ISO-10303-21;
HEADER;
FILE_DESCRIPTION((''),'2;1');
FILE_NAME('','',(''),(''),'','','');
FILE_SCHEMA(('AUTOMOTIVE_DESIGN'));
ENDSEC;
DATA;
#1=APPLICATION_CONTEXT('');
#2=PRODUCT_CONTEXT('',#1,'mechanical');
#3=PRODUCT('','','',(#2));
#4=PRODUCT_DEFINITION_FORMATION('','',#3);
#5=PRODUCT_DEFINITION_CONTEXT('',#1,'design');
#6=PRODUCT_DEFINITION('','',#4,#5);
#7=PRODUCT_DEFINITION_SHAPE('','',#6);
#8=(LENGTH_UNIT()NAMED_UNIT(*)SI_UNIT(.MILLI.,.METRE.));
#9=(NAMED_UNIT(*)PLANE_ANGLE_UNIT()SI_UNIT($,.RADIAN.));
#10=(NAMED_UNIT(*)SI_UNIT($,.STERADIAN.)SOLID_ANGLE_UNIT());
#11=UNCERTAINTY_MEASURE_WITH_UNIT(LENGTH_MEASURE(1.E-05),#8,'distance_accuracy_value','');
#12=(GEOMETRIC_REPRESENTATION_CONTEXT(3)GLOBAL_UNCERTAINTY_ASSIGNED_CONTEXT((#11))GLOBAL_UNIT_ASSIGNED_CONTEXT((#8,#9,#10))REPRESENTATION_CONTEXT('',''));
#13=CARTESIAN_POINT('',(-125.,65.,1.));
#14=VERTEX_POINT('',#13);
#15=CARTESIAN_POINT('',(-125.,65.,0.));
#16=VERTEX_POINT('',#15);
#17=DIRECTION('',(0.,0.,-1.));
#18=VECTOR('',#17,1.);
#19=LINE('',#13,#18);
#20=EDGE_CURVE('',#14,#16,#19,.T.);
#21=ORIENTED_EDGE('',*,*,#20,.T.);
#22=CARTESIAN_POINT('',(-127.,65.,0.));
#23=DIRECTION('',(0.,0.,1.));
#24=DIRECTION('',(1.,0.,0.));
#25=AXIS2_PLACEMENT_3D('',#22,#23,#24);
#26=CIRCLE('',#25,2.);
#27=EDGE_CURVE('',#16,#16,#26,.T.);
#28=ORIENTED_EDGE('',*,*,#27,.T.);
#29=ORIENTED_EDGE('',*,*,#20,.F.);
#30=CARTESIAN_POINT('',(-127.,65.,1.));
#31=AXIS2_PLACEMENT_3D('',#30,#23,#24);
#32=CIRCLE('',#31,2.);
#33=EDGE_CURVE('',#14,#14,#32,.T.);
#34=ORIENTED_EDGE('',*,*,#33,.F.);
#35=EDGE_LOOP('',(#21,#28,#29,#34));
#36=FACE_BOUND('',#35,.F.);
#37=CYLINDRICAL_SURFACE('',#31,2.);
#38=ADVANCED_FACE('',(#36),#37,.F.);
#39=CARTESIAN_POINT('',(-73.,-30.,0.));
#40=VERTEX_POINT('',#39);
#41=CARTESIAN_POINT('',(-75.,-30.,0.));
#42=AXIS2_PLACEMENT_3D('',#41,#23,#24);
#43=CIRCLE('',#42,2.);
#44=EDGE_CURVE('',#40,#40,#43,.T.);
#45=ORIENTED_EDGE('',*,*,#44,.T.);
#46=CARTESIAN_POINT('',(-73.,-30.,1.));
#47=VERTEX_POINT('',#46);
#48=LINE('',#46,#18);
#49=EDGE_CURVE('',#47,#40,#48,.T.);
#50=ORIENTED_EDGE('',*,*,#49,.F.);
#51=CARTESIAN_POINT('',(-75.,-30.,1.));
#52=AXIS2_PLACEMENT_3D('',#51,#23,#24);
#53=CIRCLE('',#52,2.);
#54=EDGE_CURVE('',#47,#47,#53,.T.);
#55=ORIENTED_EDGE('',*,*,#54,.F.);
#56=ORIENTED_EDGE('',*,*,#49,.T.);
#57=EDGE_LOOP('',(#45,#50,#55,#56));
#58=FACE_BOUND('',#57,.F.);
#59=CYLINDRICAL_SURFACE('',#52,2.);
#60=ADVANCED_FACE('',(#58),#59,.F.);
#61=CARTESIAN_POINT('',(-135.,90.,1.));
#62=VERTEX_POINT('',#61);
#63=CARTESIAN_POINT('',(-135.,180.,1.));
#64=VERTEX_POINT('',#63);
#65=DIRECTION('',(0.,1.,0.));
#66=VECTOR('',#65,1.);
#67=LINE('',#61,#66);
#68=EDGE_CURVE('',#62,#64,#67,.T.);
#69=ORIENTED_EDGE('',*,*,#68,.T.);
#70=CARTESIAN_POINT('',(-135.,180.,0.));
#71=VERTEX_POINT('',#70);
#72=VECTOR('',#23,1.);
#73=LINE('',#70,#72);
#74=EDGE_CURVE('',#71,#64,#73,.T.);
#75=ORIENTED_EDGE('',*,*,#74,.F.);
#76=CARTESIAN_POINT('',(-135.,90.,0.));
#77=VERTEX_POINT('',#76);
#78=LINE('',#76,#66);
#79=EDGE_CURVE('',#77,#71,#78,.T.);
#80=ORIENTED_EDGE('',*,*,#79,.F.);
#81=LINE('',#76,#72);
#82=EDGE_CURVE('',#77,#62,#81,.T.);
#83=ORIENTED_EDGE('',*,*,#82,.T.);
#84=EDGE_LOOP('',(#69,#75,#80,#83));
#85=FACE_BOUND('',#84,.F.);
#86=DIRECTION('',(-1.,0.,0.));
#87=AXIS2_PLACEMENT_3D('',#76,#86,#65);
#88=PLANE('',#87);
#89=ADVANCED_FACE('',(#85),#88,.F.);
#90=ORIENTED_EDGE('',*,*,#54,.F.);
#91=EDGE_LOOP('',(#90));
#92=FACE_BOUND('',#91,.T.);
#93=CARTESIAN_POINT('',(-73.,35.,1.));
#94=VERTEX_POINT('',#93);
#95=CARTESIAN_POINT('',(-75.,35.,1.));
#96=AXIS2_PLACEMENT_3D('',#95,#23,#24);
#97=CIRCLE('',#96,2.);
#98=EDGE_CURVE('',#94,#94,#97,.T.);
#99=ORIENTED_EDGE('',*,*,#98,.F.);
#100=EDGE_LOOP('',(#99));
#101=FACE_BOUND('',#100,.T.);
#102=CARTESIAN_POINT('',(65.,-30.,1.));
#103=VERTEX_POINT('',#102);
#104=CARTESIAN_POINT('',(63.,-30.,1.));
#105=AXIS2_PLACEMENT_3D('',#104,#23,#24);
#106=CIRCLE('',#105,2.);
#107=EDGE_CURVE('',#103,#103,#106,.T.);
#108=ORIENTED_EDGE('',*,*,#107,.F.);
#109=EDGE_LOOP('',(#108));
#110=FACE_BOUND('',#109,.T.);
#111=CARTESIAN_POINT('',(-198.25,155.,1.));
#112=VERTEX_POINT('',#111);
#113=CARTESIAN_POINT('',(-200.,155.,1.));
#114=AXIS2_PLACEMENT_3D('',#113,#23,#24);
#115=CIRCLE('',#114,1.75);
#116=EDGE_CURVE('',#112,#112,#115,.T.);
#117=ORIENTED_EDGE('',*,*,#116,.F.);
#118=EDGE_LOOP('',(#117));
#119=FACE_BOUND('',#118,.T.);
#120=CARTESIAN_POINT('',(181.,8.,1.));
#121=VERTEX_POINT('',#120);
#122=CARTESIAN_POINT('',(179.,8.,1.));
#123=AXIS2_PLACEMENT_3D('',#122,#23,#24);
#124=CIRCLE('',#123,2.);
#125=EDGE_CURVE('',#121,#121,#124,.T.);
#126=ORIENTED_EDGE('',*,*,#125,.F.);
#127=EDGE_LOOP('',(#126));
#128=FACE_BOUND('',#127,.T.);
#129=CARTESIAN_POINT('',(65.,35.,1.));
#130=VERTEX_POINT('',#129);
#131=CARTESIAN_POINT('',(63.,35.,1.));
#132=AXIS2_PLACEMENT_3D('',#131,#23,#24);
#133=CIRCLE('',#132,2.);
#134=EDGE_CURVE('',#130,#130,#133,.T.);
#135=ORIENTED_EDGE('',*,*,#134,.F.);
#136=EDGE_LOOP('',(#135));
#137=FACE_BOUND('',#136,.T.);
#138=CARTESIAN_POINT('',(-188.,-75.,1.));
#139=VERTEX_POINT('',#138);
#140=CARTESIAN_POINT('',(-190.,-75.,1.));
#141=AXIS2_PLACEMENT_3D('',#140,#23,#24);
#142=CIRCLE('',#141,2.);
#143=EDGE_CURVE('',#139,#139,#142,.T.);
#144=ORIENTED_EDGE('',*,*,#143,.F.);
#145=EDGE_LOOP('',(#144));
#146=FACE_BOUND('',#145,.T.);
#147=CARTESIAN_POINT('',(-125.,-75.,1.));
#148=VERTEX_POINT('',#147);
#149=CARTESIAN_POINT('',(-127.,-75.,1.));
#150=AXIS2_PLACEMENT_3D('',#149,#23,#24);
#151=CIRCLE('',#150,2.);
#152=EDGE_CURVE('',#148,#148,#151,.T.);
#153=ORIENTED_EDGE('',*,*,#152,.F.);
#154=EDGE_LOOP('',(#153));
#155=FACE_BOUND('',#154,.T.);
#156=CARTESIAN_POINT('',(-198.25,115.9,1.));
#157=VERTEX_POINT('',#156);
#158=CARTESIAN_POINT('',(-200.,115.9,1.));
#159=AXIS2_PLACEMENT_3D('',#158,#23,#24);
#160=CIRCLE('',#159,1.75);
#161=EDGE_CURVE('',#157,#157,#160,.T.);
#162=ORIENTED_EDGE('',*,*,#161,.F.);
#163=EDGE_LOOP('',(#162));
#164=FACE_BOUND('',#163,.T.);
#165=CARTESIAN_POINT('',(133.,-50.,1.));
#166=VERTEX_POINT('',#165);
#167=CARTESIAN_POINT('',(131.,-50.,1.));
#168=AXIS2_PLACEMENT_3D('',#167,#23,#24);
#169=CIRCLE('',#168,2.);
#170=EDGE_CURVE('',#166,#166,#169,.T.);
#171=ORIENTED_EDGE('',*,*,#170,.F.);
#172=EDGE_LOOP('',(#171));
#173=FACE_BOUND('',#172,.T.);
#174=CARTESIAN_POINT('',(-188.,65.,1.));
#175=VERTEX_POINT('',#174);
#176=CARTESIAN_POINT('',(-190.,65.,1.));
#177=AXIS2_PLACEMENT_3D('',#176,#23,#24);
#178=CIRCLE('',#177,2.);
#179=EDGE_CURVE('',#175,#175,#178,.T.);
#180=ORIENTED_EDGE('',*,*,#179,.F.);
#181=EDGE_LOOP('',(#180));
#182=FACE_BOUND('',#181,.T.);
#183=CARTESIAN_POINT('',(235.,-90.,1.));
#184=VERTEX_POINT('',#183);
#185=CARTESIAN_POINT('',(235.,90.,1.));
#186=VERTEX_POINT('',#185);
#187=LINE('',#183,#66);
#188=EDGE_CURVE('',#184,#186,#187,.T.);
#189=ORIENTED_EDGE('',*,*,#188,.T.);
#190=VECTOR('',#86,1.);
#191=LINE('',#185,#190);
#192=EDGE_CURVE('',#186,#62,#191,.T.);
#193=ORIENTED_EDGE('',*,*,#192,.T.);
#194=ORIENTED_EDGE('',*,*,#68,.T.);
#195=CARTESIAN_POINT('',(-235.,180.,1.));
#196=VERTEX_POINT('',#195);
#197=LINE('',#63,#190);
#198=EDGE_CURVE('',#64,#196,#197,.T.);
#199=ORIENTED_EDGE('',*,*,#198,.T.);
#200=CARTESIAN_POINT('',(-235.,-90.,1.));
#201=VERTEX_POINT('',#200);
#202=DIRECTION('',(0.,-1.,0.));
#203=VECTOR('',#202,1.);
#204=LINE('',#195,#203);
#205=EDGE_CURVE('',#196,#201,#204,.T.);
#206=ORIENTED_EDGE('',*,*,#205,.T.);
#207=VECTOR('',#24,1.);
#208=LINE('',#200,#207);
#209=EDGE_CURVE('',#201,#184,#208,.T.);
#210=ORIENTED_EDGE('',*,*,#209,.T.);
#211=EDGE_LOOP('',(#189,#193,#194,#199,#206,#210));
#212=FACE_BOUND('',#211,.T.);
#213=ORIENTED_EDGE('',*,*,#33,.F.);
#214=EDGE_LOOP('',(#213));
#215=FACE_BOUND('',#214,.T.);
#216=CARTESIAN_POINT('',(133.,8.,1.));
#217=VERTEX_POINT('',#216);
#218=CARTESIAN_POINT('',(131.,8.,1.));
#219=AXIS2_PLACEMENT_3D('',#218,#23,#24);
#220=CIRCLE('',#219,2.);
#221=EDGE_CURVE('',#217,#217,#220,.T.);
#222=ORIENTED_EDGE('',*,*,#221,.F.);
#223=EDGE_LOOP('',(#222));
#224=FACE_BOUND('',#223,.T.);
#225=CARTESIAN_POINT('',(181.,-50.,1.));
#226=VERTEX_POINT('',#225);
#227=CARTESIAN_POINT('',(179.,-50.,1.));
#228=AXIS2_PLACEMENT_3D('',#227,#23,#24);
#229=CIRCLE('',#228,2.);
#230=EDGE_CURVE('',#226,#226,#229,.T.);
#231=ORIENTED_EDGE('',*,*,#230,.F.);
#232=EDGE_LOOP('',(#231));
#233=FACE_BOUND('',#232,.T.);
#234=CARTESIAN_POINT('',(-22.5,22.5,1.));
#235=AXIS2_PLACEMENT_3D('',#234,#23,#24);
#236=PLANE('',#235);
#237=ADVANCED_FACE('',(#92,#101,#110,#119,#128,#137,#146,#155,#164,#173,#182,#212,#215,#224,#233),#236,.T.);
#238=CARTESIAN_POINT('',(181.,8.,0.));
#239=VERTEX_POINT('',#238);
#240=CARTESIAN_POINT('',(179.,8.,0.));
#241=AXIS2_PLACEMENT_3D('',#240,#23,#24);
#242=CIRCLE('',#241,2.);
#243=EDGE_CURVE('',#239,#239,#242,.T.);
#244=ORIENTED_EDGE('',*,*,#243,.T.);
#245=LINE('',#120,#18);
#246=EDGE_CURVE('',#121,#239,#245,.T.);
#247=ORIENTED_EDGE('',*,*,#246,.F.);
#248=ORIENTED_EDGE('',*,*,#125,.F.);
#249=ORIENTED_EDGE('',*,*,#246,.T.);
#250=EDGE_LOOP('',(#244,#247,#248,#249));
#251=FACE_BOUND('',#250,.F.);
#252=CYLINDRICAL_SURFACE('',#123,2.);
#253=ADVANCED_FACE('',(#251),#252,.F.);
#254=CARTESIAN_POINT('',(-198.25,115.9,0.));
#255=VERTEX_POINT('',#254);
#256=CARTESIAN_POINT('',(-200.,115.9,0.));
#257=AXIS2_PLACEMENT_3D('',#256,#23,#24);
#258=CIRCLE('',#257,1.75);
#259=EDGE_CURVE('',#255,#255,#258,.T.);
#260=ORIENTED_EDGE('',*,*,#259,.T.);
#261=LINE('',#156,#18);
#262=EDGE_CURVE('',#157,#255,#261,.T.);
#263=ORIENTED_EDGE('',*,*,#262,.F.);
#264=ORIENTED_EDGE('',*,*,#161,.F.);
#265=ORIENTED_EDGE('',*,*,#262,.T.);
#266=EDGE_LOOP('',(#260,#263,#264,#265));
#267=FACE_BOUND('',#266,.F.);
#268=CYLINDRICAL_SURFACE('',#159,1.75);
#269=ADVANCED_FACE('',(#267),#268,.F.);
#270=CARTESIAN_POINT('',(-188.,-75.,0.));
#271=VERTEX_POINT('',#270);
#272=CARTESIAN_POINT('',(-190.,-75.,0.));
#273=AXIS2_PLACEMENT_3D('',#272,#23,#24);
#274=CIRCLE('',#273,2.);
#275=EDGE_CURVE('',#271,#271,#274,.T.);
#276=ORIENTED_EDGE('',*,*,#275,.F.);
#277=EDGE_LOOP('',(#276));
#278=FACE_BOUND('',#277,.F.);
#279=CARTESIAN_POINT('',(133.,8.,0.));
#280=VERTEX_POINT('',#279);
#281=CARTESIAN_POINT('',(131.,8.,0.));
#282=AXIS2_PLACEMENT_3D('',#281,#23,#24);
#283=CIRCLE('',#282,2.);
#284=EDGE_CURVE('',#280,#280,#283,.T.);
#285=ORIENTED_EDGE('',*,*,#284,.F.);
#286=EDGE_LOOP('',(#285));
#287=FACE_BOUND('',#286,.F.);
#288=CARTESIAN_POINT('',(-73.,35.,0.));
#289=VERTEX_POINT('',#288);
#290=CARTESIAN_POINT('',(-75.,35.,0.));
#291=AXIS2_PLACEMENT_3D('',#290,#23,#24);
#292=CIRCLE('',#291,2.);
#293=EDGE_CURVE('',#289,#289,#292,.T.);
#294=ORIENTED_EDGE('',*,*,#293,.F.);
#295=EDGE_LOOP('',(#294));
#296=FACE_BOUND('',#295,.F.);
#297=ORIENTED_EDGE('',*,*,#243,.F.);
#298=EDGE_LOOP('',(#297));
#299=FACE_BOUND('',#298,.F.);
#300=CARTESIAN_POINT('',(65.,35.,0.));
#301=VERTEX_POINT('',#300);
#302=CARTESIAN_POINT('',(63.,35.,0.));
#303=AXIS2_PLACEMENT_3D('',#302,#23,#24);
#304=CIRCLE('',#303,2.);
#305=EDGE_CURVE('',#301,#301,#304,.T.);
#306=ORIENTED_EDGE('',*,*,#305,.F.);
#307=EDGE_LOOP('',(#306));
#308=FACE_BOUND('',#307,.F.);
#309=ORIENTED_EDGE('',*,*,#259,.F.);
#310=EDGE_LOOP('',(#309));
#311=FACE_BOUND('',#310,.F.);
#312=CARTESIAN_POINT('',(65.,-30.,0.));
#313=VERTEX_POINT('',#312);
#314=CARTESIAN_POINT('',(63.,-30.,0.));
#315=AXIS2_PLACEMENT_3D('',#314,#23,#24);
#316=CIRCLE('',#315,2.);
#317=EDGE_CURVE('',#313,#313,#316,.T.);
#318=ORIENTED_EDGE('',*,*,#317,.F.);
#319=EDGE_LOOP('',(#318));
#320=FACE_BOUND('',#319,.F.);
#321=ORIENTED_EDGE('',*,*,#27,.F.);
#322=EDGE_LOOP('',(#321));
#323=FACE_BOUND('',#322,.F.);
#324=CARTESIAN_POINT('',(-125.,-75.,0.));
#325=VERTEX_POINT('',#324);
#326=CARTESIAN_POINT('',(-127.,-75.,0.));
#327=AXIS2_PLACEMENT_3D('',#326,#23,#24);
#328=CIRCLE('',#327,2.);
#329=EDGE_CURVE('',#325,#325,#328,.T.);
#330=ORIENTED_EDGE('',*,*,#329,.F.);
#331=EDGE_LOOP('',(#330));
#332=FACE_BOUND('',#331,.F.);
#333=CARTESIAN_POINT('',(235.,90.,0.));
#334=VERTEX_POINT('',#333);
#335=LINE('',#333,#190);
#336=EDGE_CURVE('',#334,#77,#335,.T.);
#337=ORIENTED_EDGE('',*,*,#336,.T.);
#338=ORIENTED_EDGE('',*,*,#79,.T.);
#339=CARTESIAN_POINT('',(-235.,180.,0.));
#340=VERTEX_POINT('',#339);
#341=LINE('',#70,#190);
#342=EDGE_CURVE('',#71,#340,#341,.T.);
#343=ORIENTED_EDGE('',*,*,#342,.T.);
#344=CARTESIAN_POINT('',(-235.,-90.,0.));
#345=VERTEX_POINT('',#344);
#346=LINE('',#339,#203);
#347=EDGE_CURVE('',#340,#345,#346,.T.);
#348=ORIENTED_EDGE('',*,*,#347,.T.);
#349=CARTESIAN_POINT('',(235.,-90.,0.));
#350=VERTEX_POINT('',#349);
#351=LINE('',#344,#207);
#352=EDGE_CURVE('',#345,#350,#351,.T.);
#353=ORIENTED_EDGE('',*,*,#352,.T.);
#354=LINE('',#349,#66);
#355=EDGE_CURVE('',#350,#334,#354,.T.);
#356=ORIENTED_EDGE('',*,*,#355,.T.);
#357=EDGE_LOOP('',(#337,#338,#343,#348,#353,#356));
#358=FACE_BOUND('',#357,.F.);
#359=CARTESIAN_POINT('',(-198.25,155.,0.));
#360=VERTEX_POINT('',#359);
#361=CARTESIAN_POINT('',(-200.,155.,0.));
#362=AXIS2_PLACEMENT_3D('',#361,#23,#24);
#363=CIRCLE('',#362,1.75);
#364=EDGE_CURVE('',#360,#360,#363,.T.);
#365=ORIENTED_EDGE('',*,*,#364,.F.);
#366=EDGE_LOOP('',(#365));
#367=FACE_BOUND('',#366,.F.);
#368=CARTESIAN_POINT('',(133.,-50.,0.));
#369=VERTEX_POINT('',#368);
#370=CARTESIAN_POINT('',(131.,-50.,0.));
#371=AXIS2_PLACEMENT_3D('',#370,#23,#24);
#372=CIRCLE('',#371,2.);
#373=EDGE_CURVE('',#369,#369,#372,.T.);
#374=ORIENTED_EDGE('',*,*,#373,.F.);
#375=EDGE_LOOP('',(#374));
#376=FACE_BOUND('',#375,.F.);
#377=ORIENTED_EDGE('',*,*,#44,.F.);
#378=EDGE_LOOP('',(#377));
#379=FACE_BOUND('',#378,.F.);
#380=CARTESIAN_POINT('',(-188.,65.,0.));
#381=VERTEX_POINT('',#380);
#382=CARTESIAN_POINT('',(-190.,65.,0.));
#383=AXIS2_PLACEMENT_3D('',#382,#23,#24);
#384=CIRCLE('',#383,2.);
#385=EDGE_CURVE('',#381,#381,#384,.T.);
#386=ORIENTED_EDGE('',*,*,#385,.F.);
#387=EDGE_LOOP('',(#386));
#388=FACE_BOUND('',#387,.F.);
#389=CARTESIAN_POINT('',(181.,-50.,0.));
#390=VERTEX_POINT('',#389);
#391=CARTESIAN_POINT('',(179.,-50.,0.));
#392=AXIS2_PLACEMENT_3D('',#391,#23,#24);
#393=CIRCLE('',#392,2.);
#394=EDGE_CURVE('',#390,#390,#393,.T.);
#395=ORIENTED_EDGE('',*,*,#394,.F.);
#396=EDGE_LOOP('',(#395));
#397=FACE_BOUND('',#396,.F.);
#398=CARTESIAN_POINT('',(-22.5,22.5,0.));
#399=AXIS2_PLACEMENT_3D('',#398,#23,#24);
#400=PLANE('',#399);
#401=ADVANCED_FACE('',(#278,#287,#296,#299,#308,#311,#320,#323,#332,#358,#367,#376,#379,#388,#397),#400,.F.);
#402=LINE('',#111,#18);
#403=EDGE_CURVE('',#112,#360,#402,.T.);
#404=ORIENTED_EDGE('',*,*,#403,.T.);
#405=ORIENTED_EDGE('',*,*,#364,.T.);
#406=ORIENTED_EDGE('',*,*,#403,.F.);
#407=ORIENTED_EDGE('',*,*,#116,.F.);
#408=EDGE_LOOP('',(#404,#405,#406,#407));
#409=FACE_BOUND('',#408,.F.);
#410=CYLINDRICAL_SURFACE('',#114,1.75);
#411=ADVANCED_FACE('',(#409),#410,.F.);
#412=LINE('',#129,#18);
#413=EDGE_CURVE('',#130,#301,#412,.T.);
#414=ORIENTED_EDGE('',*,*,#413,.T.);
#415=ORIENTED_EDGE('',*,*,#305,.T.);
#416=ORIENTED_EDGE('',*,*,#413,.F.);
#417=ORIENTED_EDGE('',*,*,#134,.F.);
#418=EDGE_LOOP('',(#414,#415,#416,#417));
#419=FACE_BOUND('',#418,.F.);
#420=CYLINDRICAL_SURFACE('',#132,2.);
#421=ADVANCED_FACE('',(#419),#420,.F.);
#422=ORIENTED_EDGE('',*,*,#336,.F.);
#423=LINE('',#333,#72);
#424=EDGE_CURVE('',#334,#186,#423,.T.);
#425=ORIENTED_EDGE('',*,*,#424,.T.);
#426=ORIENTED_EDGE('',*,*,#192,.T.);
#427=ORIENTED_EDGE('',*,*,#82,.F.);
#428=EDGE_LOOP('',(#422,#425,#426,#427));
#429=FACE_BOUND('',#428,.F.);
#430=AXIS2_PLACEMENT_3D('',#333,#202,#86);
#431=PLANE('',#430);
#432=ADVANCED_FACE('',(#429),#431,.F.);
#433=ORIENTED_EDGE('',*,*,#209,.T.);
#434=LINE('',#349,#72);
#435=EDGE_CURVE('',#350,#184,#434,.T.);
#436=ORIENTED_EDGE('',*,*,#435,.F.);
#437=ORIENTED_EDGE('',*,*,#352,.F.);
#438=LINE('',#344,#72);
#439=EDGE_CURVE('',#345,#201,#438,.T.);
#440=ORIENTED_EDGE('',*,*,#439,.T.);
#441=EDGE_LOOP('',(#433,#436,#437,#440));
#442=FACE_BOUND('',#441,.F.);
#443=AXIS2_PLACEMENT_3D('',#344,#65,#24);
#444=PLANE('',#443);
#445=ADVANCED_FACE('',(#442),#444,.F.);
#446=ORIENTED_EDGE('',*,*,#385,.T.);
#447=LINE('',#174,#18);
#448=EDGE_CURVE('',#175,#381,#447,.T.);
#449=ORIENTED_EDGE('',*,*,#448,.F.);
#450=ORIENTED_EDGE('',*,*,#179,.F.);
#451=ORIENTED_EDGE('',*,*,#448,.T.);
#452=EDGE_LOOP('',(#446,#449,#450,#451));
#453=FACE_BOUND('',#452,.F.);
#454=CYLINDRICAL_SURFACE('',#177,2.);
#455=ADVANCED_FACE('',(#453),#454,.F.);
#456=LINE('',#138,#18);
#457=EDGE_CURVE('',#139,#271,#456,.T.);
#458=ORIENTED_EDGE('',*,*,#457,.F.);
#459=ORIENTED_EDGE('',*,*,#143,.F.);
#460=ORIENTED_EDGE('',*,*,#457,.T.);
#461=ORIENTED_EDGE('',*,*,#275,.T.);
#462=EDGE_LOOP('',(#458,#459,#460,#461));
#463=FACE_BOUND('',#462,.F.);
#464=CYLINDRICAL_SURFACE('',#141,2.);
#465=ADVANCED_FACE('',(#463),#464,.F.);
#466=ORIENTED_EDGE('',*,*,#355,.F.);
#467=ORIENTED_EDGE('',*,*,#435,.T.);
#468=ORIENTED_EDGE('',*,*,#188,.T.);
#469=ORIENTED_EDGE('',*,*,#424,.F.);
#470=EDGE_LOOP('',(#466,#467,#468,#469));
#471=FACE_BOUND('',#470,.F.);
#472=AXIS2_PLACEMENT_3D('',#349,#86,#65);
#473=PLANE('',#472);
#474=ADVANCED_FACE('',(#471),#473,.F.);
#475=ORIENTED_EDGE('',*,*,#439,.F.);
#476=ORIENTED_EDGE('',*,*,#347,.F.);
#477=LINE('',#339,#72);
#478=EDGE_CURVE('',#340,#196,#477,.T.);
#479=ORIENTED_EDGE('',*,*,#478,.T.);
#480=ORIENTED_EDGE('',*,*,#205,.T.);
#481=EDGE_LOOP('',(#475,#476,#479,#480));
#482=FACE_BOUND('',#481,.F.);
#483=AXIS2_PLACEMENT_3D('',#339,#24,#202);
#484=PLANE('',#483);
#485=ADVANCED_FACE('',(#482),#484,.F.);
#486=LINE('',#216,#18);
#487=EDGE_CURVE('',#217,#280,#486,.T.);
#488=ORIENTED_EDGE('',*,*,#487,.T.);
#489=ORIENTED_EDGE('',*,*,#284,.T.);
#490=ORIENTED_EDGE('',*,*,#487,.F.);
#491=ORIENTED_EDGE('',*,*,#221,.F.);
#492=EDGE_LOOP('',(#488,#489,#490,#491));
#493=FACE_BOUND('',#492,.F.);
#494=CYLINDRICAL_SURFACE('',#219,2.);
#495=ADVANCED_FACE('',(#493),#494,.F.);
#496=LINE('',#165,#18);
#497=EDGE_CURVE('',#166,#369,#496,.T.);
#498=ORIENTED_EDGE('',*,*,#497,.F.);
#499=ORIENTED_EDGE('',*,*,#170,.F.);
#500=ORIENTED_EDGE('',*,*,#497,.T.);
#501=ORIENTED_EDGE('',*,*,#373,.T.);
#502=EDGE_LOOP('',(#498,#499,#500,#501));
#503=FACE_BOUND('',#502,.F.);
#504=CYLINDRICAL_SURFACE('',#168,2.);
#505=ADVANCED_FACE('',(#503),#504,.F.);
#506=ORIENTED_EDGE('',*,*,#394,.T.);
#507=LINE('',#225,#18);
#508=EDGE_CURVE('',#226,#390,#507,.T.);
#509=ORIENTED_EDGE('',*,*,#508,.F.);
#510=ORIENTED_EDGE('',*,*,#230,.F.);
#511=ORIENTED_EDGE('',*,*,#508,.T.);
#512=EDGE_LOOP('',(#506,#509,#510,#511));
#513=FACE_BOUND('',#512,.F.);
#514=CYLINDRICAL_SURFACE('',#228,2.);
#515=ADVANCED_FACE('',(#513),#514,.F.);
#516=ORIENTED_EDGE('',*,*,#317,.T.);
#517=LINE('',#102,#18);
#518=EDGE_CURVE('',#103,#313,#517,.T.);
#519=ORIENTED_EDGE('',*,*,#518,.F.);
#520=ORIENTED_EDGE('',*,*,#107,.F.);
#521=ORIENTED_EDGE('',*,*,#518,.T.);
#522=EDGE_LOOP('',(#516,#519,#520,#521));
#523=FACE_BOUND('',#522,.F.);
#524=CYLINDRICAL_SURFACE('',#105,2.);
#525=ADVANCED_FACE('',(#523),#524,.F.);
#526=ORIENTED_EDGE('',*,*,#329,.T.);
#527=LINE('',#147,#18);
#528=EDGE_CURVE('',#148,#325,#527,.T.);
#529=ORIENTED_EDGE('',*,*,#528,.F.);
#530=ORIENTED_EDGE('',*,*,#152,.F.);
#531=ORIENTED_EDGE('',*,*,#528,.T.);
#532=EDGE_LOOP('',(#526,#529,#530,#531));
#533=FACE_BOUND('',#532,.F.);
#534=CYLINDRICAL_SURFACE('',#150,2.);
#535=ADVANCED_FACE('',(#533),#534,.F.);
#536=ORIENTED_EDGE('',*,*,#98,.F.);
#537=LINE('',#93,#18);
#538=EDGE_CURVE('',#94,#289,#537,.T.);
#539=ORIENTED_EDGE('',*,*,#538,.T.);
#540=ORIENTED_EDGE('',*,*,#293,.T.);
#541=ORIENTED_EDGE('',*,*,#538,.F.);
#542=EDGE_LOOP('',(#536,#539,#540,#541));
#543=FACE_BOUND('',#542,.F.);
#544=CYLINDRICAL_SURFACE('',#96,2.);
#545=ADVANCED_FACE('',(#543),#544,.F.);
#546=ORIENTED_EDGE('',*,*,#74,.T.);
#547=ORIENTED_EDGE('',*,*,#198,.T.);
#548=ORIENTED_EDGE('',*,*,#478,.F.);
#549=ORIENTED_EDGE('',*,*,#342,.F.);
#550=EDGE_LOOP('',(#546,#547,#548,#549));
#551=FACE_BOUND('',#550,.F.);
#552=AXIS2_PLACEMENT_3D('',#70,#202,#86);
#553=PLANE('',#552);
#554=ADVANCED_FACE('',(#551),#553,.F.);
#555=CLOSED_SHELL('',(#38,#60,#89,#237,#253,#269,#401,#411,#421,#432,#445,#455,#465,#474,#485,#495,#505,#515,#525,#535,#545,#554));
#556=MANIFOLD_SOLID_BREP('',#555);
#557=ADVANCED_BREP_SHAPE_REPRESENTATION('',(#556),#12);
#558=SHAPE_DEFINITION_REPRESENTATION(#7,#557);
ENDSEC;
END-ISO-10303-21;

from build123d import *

# Parameters (mm, degrees)
F1_DEPTH = 1
F2_R     = 2
F3_DEPTH = 1
F4_R     = 2
F5_DEPTH = 25
F6_R     = 2
F7_DEPTH = 25
F8_R     = 1.75
F9_DEPTH = 25


with BuildPart() as f1:
    # F0 (on Top) → F1 (new body)
    with BuildSketch(Plane.XY):
        Polygon((-235, 90), (-235, -90), (235, -90), (235, 90), (-135, 90), (-135, 180), (-235, 180), align=None)
    extrude(amount=F1_DEPTH)

    # F2 (on face) → F3 (cut, through all)
    with BuildSketch(Plane.XY.offset(1)):
        with Locations((-127, 65)):
            Circle(F2_R)
        with Locations((-190, 65)):
            Circle(F2_R)
        with Locations((-127, -75)):
            Circle(F2_R)
        with Locations((-190, -75)):
            Circle(F2_R)
    extrude(amount=-F3_DEPTH, mode=Mode.SUBTRACT)

    # F4 (on face) → F5 (cut)
    with BuildSketch(Plane.XY.offset(1)):
        with Locations((-75, 35)):
            Circle(F4_R)
        with Locations((63, 35)):
            Circle(F4_R)
        with Locations((-75, -30)):
            Circle(F4_R)
        with Locations((63, -30)):
            Circle(F4_R)
    extrude(amount=-F5_DEPTH, mode=Mode.SUBTRACT)

    # F6 (on face) → F7 (cut)
    with BuildSketch(Plane.XY.offset(1)):
        with Locations((131, 8)):
            Circle(F6_R)
        with Locations((131, -50)):
            Circle(F6_R)
        with Locations((179, 8)):
            Circle(F6_R)
        with Locations((179, -50)):
            Circle(F6_R)
    extrude(amount=-F7_DEPTH, mode=Mode.SUBTRACT)

    # F8 (on face) → F9 (cut)
    with BuildSketch(Plane.XY.offset(1)):
        with Locations((-200, 155)):
            Circle(F8_R)
        with Locations((-200, 115.9)):
            Circle(F8_R)
    extrude(amount=-F9_DEPTH, mode=Mode.SUBTRACT)


solid = f1.part
